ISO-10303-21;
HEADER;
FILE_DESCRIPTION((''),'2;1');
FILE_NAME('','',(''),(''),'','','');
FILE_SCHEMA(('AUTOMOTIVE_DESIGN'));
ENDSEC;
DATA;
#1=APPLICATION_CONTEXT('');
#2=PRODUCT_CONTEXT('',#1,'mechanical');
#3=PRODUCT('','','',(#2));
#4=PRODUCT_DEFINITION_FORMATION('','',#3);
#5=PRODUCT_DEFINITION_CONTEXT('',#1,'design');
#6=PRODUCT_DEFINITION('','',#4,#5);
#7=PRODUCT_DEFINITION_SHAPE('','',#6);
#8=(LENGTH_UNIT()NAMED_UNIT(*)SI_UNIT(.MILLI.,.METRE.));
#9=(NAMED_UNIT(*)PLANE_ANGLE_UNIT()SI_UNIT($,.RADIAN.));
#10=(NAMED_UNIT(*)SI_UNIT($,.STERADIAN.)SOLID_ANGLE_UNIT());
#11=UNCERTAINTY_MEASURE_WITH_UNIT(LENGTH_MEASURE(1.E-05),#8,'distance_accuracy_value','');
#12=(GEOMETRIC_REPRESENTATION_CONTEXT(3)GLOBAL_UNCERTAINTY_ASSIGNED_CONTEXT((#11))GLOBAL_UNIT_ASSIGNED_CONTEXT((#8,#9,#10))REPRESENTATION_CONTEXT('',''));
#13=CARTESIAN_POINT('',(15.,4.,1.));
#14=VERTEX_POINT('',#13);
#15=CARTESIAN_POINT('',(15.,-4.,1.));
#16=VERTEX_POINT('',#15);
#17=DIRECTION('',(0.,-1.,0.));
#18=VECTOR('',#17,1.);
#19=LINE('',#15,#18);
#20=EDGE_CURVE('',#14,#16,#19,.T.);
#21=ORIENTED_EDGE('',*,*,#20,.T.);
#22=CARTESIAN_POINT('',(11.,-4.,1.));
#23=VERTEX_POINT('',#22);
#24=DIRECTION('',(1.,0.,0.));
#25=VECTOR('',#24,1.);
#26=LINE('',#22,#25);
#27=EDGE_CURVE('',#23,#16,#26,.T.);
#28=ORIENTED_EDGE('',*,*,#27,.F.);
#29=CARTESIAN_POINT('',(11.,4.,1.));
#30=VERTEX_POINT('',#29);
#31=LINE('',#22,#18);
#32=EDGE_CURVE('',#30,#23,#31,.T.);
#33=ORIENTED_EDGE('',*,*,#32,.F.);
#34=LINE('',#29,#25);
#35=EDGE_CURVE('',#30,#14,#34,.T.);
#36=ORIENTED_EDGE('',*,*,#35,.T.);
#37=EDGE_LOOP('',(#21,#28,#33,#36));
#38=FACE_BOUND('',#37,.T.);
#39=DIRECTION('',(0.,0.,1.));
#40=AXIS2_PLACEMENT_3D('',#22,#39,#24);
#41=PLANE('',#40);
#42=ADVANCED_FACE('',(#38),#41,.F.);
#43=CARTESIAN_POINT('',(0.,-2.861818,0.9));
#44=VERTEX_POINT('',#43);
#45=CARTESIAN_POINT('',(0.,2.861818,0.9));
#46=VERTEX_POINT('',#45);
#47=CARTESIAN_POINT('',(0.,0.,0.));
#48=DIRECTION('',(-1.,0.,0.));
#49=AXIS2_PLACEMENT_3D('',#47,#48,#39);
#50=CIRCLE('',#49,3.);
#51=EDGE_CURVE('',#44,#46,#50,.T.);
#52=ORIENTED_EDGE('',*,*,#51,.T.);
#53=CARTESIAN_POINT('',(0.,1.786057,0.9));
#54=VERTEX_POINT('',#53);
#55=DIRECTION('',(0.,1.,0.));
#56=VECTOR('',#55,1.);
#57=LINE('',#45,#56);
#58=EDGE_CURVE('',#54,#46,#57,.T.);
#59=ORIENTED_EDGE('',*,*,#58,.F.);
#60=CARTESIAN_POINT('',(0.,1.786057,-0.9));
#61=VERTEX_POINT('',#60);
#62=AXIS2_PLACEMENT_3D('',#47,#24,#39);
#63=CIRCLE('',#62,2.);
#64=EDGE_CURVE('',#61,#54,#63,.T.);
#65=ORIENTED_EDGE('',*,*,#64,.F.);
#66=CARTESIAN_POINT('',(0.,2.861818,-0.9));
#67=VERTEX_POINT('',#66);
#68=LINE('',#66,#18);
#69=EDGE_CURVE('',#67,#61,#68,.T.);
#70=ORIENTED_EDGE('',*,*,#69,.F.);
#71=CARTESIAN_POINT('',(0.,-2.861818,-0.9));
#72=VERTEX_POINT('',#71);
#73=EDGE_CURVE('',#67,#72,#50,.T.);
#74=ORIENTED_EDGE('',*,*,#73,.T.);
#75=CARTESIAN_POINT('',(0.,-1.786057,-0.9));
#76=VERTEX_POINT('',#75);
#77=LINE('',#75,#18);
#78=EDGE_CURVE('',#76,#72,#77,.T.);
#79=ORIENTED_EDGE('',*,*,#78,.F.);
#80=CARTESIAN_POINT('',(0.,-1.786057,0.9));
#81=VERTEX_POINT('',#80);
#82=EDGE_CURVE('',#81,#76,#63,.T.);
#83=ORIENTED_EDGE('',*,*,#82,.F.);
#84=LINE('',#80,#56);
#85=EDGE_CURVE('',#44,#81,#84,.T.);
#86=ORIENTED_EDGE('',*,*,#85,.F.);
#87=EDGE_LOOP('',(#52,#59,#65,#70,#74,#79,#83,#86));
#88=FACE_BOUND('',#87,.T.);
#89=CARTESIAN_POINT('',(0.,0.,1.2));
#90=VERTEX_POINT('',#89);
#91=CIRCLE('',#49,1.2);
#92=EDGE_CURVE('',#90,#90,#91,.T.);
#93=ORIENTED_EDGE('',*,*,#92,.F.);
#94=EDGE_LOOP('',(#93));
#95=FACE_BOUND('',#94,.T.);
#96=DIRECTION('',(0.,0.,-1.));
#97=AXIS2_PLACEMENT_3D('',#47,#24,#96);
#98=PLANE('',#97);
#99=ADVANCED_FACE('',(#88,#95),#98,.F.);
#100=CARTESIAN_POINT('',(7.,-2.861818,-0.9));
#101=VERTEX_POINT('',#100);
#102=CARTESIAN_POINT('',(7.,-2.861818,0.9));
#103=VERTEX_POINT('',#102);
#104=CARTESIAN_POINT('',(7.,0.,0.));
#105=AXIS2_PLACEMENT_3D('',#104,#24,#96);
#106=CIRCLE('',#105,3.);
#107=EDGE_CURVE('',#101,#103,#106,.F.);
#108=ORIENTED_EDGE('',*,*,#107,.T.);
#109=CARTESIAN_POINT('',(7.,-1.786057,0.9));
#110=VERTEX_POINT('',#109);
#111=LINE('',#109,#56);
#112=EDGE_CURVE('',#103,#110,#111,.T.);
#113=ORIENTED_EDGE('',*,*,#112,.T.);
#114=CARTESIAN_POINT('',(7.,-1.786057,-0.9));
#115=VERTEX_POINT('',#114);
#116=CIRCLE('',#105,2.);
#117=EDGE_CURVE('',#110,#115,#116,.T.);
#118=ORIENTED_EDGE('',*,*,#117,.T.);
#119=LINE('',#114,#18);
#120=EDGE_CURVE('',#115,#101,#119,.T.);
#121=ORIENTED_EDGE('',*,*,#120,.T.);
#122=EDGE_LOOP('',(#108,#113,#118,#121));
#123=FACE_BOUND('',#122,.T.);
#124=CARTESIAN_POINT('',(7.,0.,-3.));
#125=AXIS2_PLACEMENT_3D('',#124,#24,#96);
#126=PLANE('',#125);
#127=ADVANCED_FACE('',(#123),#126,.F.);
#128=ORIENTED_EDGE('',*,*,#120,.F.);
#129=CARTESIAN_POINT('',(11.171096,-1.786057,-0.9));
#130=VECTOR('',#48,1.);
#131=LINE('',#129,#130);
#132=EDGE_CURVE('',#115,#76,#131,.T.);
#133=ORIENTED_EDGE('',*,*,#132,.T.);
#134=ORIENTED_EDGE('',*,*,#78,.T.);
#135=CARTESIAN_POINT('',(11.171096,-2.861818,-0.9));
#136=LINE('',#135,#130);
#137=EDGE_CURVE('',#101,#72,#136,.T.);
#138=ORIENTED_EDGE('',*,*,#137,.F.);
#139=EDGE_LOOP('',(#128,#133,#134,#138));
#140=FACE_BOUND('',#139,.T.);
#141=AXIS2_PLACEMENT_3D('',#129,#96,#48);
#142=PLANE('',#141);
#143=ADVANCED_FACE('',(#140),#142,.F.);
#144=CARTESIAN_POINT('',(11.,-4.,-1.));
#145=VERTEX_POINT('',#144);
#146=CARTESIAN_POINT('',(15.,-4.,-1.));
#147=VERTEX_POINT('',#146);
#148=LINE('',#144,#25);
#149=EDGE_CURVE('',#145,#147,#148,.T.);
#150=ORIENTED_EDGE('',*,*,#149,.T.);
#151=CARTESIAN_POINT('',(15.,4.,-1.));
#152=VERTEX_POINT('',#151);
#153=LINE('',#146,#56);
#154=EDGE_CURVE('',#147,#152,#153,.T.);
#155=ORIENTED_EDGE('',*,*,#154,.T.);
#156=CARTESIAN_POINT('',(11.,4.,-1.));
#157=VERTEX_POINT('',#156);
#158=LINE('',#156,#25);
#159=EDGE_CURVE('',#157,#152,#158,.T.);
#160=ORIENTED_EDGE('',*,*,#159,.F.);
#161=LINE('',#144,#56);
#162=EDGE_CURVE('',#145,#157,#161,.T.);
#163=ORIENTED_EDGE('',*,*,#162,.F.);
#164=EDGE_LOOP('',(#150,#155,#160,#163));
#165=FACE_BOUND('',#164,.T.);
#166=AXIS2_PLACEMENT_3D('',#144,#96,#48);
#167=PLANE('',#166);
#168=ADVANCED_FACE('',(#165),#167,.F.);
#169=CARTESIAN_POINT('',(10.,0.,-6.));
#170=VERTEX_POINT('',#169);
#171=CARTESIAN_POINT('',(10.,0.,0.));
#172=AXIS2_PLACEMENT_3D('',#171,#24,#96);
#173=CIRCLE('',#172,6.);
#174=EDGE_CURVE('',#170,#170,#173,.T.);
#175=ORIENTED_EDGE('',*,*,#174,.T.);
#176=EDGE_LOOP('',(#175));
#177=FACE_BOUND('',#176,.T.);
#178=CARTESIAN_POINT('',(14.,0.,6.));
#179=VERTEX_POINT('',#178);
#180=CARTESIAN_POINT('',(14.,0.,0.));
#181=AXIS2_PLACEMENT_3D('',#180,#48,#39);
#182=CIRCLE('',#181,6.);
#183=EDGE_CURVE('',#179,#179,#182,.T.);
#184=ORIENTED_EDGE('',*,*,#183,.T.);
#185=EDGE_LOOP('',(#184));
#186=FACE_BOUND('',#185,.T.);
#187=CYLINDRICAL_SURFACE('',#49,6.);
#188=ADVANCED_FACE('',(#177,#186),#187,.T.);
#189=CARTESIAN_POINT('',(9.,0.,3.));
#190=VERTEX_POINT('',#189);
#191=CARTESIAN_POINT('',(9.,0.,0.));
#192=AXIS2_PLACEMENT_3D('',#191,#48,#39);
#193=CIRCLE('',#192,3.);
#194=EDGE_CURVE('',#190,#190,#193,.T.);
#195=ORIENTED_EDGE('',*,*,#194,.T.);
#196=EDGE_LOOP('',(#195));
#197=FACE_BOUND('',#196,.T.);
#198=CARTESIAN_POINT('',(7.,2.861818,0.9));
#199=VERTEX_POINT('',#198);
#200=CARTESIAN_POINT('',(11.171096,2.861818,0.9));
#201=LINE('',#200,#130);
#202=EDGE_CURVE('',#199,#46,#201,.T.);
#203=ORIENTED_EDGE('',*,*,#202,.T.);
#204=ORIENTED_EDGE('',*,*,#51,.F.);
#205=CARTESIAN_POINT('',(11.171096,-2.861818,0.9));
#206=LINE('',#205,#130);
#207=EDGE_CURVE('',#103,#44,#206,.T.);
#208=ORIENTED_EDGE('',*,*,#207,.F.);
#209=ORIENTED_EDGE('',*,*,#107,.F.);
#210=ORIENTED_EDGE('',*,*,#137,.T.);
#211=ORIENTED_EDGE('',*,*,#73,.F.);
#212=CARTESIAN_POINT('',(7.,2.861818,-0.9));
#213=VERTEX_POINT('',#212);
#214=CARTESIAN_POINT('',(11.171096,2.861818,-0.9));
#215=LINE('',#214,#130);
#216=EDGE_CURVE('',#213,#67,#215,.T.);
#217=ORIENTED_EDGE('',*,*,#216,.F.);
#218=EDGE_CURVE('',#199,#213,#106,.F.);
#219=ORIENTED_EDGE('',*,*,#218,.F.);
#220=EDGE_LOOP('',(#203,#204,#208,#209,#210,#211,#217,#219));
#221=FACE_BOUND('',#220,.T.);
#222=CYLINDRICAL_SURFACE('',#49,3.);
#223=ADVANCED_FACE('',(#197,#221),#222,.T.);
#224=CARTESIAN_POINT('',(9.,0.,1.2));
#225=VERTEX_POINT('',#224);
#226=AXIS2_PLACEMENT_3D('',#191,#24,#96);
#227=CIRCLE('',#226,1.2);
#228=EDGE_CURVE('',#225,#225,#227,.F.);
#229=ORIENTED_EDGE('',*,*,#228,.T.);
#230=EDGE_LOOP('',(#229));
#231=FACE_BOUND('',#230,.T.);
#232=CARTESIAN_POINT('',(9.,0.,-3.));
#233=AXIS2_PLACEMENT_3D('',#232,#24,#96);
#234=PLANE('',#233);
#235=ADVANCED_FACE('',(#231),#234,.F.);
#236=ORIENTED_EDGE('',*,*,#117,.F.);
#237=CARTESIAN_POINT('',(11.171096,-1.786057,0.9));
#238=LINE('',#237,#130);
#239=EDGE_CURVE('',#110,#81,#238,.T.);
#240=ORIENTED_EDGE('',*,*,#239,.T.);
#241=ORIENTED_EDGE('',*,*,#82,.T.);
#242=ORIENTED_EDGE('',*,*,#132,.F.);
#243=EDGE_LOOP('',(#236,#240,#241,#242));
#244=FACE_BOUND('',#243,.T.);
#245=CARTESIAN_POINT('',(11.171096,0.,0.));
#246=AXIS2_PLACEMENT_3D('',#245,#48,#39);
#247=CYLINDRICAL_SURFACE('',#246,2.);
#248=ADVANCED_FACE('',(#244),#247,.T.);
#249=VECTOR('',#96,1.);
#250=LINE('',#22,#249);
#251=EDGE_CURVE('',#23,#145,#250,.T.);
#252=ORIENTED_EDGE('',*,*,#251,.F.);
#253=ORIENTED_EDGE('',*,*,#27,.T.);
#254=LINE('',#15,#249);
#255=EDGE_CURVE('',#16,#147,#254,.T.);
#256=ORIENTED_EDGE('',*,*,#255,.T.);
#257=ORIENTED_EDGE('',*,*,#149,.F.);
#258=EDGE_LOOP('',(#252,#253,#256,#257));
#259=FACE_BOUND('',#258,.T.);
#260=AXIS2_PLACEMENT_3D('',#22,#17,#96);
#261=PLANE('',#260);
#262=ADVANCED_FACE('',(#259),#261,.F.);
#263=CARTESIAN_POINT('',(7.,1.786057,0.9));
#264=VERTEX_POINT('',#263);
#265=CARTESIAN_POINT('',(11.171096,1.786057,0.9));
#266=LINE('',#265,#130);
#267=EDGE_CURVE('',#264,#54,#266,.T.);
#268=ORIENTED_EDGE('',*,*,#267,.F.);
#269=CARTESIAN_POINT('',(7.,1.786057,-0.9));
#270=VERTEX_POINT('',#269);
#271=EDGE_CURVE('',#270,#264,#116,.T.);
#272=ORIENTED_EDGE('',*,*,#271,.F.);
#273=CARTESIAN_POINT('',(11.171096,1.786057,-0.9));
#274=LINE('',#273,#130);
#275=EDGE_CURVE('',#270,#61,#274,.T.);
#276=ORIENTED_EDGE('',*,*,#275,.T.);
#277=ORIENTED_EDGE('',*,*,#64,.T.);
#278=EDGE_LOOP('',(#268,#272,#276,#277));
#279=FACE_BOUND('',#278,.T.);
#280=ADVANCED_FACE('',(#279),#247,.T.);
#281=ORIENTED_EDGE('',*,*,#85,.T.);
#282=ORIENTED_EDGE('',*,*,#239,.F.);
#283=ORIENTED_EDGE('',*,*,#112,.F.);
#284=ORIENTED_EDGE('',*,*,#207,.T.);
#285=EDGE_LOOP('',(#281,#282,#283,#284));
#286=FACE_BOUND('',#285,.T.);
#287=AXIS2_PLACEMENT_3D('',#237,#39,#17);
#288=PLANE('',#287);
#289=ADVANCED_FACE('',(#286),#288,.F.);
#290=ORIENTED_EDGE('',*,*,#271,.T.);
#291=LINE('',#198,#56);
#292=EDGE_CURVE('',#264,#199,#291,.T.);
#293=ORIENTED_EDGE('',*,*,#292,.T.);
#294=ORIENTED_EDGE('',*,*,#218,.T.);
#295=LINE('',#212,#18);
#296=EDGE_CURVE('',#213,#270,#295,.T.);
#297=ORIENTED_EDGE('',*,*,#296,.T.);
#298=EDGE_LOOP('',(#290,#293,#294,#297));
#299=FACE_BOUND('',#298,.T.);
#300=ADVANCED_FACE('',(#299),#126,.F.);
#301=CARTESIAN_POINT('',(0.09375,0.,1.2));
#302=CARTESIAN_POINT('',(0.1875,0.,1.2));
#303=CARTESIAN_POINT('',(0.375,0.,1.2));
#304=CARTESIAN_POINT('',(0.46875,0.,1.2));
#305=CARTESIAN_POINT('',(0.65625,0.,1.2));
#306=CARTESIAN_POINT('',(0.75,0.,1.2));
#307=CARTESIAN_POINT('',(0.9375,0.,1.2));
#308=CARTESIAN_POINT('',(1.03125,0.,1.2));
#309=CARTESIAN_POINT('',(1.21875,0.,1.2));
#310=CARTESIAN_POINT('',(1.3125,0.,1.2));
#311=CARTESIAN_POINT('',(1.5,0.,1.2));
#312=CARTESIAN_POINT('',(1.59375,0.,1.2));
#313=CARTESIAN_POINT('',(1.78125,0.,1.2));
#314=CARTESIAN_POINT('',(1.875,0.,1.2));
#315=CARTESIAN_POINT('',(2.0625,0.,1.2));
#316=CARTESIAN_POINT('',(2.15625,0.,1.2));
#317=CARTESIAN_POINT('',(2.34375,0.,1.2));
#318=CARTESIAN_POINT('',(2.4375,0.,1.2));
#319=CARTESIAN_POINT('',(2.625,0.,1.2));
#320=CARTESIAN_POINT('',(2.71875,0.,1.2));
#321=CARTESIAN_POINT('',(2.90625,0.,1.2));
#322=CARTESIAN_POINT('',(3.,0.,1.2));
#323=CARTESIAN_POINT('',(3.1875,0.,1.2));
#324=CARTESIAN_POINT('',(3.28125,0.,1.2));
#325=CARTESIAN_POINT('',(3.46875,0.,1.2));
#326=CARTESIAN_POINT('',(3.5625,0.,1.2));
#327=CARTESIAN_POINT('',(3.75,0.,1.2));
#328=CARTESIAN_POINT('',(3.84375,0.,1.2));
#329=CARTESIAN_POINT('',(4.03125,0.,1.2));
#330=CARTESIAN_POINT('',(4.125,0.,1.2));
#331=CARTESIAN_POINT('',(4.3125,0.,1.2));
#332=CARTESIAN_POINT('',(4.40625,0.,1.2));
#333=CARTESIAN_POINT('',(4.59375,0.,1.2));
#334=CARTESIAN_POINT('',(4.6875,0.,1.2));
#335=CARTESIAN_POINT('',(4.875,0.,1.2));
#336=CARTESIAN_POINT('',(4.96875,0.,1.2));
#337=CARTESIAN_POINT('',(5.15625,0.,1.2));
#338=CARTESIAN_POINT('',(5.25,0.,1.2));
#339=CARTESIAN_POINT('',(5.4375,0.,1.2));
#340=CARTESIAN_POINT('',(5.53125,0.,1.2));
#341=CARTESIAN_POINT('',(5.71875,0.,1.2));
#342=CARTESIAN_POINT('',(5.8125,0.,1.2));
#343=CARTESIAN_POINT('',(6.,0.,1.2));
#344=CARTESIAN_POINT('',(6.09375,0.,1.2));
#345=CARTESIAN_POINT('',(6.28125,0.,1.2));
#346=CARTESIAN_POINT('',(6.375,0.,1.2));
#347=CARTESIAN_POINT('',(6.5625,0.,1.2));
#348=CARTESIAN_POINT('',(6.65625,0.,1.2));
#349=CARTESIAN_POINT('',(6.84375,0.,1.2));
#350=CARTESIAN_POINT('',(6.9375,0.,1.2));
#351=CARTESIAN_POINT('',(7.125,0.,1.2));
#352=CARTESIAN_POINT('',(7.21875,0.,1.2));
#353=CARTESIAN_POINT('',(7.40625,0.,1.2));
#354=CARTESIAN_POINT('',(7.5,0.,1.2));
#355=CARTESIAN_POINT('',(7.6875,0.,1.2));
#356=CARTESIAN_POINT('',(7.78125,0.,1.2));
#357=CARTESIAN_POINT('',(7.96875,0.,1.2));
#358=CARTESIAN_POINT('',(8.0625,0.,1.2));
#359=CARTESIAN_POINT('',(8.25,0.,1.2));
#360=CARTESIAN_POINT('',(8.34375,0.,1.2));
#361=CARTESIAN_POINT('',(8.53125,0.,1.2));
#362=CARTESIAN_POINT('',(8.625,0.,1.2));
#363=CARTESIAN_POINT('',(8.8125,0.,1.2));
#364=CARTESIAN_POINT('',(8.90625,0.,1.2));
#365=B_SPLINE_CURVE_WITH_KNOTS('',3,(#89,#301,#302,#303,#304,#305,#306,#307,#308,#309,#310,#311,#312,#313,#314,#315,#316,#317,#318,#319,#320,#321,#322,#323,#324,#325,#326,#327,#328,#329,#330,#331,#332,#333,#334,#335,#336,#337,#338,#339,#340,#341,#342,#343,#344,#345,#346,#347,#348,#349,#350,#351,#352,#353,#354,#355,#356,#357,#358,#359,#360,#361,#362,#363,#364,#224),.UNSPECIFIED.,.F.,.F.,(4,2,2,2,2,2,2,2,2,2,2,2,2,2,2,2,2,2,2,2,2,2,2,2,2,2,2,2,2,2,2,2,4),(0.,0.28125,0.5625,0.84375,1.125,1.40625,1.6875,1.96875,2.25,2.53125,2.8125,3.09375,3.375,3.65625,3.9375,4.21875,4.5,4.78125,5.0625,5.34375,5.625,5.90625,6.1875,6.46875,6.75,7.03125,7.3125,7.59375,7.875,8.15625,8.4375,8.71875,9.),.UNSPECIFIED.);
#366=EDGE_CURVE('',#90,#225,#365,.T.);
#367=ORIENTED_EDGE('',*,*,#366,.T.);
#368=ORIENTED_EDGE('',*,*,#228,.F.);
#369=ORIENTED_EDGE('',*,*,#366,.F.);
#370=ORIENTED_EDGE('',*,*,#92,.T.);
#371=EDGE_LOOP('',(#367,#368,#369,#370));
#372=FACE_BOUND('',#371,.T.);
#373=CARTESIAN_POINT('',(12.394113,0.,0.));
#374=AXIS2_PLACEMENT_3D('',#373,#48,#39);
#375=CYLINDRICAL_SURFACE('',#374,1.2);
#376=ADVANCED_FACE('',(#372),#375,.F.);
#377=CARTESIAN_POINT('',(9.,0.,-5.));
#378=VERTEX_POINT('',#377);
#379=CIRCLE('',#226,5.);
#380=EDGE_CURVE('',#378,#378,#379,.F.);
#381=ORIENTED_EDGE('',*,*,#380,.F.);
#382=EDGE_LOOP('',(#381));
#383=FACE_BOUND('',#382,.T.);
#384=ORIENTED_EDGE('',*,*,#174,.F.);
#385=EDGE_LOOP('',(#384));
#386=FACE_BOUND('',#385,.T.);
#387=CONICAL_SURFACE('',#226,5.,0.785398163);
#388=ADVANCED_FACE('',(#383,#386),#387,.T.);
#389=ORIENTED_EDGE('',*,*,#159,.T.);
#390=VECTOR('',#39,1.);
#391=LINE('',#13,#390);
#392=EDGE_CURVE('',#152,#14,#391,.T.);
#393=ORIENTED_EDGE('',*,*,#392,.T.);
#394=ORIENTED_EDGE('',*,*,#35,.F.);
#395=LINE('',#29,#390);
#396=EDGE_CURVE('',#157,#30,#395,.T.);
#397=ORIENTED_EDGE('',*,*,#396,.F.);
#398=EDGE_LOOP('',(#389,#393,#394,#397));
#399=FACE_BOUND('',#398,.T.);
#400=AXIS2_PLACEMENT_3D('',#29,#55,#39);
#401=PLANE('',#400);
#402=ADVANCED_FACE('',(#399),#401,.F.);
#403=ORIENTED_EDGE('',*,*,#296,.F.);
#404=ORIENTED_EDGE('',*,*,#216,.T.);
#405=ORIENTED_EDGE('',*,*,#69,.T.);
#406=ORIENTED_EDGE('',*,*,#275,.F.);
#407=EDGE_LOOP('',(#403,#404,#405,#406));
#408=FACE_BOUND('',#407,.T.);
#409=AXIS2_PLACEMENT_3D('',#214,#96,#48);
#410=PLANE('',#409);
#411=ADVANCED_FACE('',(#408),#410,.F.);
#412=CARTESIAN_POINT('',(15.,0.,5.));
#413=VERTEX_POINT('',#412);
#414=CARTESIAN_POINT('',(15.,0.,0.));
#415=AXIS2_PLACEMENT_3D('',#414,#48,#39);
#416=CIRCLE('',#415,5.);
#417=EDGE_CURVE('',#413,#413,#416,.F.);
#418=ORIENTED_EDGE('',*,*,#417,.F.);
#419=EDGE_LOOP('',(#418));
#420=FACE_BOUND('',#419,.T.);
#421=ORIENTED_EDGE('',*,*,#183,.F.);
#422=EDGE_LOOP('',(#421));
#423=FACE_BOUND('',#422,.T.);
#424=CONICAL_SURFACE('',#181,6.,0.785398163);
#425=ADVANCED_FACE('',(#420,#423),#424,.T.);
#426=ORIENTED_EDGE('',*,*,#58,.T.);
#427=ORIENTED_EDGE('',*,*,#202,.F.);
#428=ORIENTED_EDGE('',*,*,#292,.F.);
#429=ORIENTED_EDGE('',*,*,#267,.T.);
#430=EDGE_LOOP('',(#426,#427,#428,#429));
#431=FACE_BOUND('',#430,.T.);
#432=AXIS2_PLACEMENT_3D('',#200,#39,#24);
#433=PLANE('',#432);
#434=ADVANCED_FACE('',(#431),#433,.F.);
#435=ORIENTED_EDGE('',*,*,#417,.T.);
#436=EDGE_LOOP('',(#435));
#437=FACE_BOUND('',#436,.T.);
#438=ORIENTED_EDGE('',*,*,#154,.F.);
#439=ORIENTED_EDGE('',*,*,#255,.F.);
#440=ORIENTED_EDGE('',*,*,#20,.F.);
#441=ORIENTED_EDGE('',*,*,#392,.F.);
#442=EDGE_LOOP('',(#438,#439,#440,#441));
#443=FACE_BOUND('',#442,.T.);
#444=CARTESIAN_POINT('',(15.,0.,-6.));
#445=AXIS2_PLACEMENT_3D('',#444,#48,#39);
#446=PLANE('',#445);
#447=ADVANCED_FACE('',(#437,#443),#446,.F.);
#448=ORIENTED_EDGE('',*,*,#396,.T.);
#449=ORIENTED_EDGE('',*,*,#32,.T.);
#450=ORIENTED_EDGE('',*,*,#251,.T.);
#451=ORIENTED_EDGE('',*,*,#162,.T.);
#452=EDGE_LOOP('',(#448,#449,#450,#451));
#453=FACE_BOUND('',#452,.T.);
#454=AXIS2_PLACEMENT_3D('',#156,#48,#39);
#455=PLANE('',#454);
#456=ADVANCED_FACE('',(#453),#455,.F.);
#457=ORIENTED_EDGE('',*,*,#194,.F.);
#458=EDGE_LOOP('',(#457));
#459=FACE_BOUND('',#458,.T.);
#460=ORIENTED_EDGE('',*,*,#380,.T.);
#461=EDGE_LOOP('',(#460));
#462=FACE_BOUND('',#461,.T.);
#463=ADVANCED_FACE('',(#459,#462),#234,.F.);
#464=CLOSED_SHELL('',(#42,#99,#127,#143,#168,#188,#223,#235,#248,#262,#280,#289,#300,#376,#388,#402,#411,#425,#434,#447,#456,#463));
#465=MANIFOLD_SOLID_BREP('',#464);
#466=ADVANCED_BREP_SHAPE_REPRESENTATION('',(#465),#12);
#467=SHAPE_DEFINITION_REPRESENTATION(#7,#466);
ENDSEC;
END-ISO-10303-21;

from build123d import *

# Parameters (mm, degrees)
SKETCH3_R          = 1.2
CUT_EXTRUDE1_DEPTH = 9
SKETCH4_W          = 2
SKETCH4_H          = 8
CUT_EXTRUDE2_DEPTH = 4
CHAMFER1_SIZE      = 1
CUT_EXTRUDE3_START = -7
CUT_EXTRUDE3_DEPTH = 7


with BuildPart() as part:
    # Sketch2 → Revolve1 (revolve)
    with BuildSketch(Plane(origin=(0, 0, 0), x_dir=(1, 0, 0), z_dir=(0, 1, 0)), mode=Mode.PRIVATE) as revolve1_sk:
        Polygon((0, 0), (0, 3), (9, 3), (9, 6), (15, 6), (15, 0), align=None)
    revolve(revolve1_sk.sketch.rotate(Axis((0, 0, 0), (1, 0, 0)), 180), axis=Axis((0, 0, 0), (1, 0, 0)))

    # Sketch3 → Cut-Extrude1 (cut)
    with BuildSketch(Plane.ZY):
        Circle(SKETCH3_R)
    extrude(amount=-CUT_EXTRUDE1_DEPTH, mode=Mode.SUBTRACT)

    # Sketch4 → Cut-Extrude2 (cut)
    with BuildSketch(Plane(origin=(15, 0, 0), x_dir=(0, 0, -1), z_dir=(1, 0, 0))):
        Rectangle(SKETCH4_W, SKETCH4_H)
    extrude(amount=-CUT_EXTRUDE2_DEPTH, mode=Mode.SUBTRACT)

    # Chamfer1
    chamfer1_edges = [part.edges().sort_by_distance(p)[0] for p in [
        (15, 0, -6),
        (9, 0, -6),
    ]]
    chamfer(chamfer1_edges, length=CHAMFER1_SIZE)

    # Sketch5 → Cut-Extrude3 (cut)
    with BuildSketch(Plane.ZY.offset(CUT_EXTRUDE3_START)):
        with BuildLine():
            Line((-0.9, 2.861817604), (-0.9, 1.78605711))
            ThreePointArc((-0.9, 1.78605711), (0, 2), (0.9, 1.78605711))
            Line((0.9, 1.78605711), (0.9, 2.861817604))
            ThreePointArc((0.9, 2.861817604), (0, 3), (-0.9, 2.861817604))
        make_face()
        with BuildLine():
            Line((-0.9, -1.78605711), (-0.9, -2.861817604))
            ThreePointArc((-0.9, -2.861817604), (0, -3), (0.9, -2.861817604))
            Line((0.9, -2.861817604), (0.9, -1.78605711))
            ThreePointArc((0.9, -1.78605711), (0, -2), (-0.9, -1.78605711))
        make_face()
    extrude(amount=CUT_EXTRUDE3_DEPTH, mode=Mode.SUBTRACT)


solid = part.part
